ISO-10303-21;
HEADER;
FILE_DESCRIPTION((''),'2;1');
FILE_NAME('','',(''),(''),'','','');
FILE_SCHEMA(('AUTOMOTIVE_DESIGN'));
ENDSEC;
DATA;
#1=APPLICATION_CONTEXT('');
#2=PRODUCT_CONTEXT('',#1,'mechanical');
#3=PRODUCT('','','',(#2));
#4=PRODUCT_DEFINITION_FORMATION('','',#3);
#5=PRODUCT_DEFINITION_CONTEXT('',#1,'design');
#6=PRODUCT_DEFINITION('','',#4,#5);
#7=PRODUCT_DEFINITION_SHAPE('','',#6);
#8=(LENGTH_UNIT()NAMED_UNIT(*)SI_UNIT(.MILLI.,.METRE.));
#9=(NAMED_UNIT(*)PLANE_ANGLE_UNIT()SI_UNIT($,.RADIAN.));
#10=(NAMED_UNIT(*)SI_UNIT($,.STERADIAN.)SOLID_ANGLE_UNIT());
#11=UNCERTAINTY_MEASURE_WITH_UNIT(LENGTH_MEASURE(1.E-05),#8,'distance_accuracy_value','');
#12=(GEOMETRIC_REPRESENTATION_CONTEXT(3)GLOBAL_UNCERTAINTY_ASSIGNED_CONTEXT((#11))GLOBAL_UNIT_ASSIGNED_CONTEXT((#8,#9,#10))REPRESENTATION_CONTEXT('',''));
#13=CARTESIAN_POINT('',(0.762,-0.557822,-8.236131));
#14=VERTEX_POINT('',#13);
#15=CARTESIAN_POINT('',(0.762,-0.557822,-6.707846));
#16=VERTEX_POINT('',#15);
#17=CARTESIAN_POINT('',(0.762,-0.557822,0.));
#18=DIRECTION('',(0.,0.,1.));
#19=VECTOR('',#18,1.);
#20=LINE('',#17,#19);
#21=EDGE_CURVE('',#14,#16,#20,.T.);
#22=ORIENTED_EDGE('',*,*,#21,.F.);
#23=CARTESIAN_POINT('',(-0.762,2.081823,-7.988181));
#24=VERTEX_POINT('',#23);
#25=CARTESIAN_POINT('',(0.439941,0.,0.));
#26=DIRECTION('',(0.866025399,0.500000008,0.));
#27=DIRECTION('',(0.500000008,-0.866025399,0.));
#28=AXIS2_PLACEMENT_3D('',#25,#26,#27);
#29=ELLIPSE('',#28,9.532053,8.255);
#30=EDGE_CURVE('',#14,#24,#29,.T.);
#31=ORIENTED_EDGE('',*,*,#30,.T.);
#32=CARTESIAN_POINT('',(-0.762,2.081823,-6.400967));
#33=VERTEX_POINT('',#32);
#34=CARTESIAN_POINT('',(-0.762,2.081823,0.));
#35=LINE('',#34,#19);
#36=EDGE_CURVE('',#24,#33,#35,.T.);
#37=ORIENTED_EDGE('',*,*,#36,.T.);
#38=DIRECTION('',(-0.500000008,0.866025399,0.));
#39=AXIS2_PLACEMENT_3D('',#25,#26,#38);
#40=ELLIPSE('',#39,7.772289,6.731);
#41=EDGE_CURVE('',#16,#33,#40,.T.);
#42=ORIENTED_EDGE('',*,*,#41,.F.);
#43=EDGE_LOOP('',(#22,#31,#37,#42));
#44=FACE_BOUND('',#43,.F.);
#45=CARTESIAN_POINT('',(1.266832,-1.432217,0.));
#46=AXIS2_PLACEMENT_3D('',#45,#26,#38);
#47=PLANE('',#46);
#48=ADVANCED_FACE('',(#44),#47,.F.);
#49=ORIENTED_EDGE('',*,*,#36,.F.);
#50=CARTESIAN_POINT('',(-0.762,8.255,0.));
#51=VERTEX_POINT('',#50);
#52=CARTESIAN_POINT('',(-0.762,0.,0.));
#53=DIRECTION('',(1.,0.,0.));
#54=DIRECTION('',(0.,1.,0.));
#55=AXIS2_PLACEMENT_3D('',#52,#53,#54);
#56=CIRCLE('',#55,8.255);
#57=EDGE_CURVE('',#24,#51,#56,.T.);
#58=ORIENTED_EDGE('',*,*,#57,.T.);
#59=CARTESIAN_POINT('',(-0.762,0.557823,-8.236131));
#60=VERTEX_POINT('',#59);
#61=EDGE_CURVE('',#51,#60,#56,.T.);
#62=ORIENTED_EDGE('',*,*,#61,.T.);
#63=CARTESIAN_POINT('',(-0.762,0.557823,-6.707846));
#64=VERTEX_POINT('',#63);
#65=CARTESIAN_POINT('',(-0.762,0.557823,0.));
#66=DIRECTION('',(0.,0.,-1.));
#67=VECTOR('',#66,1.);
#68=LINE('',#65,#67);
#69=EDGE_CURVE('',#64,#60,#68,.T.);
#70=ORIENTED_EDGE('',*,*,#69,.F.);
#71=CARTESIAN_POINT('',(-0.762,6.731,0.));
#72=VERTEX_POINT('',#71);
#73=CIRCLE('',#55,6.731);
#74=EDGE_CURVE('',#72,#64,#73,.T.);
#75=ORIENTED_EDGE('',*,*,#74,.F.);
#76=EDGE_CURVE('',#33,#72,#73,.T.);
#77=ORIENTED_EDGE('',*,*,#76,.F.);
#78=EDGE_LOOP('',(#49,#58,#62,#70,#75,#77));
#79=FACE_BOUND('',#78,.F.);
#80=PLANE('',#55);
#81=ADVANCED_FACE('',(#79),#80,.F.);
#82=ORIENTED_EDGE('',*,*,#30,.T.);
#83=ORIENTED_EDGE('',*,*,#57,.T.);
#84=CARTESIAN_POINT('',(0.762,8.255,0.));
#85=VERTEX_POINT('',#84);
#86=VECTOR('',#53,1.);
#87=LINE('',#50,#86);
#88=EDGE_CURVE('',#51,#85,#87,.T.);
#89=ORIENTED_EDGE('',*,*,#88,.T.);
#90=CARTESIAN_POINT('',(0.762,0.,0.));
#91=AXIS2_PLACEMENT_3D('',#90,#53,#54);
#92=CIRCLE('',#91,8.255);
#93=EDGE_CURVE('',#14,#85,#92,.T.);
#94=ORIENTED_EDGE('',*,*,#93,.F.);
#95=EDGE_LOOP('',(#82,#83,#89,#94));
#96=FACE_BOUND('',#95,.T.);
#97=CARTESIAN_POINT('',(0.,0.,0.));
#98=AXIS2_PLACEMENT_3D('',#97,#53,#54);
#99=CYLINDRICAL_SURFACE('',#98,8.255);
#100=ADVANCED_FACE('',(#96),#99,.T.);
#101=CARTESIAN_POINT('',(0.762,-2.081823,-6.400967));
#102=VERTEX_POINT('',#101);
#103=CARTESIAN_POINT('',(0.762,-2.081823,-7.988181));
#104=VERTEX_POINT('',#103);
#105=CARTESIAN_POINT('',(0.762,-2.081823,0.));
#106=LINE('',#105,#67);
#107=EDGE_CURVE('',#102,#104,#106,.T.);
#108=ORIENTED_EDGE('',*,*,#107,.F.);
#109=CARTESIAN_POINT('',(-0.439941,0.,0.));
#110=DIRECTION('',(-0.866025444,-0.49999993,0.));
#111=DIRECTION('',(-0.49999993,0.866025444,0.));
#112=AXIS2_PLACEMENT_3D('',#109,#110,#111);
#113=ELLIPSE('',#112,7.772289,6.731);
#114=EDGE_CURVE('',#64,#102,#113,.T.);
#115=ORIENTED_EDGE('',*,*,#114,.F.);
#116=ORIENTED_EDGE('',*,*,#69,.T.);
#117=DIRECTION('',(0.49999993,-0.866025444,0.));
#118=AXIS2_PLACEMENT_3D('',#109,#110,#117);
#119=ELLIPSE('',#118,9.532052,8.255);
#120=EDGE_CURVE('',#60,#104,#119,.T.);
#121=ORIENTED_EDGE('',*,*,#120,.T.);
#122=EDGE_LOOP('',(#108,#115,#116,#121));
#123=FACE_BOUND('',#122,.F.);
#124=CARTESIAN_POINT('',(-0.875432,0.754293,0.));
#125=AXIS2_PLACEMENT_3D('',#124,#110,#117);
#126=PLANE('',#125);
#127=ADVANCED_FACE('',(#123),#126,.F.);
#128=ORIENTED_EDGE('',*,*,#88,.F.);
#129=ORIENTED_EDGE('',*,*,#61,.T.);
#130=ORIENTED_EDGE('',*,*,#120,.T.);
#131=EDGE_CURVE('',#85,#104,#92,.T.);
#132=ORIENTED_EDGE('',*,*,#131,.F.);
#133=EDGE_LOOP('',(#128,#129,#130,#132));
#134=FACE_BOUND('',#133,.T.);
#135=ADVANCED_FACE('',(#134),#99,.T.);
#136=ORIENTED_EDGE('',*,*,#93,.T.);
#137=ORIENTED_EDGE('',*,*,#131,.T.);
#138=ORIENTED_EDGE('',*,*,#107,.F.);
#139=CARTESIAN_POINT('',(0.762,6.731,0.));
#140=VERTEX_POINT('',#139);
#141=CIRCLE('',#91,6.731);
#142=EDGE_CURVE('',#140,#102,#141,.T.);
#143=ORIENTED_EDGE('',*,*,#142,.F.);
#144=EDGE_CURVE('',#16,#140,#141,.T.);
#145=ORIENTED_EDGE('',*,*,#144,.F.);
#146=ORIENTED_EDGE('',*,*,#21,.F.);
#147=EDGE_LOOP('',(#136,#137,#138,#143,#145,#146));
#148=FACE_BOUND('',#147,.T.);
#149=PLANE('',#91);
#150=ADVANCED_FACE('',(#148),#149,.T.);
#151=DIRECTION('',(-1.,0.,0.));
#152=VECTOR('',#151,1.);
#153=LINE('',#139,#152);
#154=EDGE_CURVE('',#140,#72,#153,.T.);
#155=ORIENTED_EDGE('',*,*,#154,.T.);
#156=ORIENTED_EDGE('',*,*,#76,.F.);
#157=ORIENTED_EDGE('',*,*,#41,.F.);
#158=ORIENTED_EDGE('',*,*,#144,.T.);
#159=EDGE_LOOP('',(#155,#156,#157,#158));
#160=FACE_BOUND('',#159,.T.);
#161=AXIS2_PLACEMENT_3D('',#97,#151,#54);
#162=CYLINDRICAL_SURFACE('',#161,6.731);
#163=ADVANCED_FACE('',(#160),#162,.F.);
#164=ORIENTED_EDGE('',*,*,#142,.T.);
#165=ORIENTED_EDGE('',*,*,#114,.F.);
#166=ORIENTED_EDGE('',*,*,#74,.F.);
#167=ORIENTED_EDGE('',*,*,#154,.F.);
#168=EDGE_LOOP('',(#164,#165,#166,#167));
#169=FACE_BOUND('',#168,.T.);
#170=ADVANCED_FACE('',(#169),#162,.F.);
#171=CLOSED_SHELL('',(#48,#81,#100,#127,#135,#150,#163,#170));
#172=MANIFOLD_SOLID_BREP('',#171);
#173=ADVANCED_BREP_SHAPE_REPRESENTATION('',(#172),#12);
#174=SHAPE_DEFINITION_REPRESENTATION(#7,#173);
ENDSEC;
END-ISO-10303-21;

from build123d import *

# Parameters (mm, degrees)
F0_R     = 8.255
F0_R_2   = 6.731
F1_DEPTH = 0.762
F3_DEPTH = 25.4


with BuildPart() as f1:
    # F0 (on Right) → F1 (new body, symmetric)
    with BuildSketch(Plane.YZ):
        Circle(F0_R)
        Circle(F0_R_2, mode=Mode.SUBTRACT)
    extrude(amount=F1_DEPTH, both=True)

    # F2 (on Top) → F3 (cut)
    with BuildSketch(Plane.XY):
        Polygon((-0.875432, 0.754293), (0.914876, -2.346612), (1.266832, -1.432217), (-1.060956, 2.59963), align=None)
    extrude(amount=-F3_DEPTH, mode=Mode.SUBTRACT)


solid = f1.part
